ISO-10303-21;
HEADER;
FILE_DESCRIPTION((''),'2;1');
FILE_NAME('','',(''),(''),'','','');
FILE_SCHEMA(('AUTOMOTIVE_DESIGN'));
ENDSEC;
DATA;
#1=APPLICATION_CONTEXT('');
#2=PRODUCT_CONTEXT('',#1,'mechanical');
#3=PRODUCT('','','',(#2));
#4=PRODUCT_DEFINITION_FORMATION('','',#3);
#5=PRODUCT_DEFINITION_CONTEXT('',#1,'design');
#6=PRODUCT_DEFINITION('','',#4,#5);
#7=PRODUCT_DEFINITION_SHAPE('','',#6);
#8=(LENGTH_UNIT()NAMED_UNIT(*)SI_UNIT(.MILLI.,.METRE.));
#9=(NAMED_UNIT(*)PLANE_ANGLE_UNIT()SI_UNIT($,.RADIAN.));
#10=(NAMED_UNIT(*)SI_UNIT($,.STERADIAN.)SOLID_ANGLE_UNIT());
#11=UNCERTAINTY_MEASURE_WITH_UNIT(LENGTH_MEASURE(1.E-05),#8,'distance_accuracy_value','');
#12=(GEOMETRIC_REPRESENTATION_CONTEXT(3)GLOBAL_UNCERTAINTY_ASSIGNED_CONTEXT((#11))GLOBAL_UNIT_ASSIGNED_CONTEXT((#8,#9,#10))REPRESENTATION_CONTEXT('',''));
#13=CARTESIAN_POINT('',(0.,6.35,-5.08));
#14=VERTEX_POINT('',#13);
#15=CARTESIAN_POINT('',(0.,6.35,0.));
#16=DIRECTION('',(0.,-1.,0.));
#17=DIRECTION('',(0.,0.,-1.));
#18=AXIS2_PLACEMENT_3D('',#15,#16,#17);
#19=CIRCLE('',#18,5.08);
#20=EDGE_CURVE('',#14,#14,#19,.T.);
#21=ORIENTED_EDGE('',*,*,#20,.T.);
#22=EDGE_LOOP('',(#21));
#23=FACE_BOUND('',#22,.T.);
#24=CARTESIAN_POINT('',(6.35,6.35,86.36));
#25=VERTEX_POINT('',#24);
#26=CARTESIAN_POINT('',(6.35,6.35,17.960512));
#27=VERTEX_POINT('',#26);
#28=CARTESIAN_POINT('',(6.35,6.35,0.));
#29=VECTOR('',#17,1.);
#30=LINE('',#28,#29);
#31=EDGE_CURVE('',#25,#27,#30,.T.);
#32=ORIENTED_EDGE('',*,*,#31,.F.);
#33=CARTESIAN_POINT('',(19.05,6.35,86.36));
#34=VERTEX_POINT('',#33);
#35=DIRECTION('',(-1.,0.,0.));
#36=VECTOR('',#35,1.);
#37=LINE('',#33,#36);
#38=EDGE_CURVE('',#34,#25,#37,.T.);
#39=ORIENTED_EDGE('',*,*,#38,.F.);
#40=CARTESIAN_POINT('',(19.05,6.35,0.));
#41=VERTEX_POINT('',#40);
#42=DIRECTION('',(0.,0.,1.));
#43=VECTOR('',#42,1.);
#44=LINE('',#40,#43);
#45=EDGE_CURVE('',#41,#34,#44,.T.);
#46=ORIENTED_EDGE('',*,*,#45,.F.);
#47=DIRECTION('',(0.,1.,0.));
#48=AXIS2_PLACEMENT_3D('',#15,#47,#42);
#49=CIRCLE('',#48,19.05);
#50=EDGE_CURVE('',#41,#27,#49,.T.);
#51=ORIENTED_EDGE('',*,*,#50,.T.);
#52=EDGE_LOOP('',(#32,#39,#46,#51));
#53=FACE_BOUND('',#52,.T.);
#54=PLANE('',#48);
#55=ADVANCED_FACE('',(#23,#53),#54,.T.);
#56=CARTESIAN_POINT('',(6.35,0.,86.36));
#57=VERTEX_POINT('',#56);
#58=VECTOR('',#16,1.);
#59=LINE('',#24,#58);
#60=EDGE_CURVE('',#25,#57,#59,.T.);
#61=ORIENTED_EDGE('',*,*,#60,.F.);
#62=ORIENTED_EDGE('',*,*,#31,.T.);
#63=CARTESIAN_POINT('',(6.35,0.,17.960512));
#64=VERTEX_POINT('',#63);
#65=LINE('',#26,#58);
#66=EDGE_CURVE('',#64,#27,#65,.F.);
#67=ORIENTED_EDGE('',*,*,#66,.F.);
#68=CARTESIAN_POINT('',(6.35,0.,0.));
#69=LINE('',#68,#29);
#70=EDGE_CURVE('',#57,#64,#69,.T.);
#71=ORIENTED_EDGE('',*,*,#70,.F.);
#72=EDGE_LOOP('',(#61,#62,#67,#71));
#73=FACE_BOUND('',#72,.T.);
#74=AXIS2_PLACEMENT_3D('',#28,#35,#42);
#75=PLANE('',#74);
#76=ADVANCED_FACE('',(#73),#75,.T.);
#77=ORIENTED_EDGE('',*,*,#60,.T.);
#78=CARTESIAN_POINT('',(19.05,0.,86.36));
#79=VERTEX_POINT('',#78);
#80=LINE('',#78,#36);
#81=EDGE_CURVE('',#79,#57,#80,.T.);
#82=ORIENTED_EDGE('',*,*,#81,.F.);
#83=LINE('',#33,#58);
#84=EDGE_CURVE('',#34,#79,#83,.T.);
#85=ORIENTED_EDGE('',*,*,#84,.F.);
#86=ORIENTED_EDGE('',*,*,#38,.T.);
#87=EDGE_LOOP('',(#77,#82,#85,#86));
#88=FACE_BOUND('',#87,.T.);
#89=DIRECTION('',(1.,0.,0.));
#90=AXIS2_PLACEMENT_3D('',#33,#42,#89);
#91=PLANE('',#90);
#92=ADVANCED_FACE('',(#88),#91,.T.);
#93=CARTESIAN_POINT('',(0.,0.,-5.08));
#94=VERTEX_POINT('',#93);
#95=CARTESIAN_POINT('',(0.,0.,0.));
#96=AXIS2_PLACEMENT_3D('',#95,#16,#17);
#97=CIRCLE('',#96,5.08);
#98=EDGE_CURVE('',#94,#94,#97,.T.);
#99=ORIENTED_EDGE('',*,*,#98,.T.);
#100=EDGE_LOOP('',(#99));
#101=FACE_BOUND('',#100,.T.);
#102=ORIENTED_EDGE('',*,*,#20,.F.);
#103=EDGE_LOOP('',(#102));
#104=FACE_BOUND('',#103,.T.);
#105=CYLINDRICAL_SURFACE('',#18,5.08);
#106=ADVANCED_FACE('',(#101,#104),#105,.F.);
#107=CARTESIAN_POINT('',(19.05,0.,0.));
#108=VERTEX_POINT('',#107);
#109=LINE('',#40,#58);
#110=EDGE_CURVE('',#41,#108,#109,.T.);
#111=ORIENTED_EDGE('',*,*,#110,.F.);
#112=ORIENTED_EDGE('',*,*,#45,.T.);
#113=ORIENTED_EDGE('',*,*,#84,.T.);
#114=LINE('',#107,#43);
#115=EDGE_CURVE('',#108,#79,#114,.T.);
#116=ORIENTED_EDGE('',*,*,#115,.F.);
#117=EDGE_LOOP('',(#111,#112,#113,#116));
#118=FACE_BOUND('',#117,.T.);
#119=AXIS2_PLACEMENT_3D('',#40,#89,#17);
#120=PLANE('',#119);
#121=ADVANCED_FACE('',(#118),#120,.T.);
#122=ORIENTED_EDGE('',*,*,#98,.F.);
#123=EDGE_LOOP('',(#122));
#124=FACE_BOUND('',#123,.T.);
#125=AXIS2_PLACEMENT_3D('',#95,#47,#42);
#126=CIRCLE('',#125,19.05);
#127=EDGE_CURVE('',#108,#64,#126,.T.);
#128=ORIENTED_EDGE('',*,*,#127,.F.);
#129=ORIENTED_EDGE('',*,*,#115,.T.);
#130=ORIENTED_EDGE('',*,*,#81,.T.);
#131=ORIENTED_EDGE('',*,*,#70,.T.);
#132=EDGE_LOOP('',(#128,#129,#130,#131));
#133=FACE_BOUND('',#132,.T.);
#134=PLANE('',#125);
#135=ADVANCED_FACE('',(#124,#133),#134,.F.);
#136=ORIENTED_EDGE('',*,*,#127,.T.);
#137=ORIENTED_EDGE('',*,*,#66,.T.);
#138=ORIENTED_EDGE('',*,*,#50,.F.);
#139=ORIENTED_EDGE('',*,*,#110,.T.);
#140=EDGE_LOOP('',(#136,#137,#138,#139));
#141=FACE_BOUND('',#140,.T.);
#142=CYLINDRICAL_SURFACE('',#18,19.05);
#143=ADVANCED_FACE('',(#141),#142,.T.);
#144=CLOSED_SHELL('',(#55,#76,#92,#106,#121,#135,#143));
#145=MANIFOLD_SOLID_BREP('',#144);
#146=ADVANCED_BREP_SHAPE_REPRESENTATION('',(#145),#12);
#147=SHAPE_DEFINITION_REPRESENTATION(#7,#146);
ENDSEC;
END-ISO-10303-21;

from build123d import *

# Parameters (mm, degrees)
SKETCH1_R           = 19.05
BOSS_EXTRUDE1_DEPTH = 6.35
SKETCH2_W           = 12.7
SKETCH2_H           = 86.36
BOSS_EXTRUDE2_DEPTH = 6.35
SKETCH3_R           = 5.08
CUT_EXTRUDE1_DEPTH  = 6.35


with BuildPart() as part:
    # Sketch1 → Boss-Extrude1 (new body)
    with BuildSketch(Plane(origin=(0, 0, 0), x_dir=(1, 0, 0), z_dir=(0, 1, 0))):
        with Locations(Location((0, 0, 0), (0, 0, 270))):
            Circle(SKETCH1_R)
    extrude(amount=BOSS_EXTRUDE1_DEPTH)

    # Sketch2 → Boss-Extrude2 (add)
    with BuildSketch(Plane.XZ):
        with Locations((12.7, 43.18)):
            Rectangle(SKETCH2_W, SKETCH2_H)
    extrude(amount=-BOSS_EXTRUDE2_DEPTH)

    # Sketch3 → Cut-Extrude1 (cut)
    with BuildSketch(Plane.XZ):
        with Locations(Location((0, 0, 0), (0, 0, 270))):
            Circle(SKETCH3_R)
    extrude(amount=-CUT_EXTRUDE1_DEPTH, mode=Mode.SUBTRACT)


solid = part.part
